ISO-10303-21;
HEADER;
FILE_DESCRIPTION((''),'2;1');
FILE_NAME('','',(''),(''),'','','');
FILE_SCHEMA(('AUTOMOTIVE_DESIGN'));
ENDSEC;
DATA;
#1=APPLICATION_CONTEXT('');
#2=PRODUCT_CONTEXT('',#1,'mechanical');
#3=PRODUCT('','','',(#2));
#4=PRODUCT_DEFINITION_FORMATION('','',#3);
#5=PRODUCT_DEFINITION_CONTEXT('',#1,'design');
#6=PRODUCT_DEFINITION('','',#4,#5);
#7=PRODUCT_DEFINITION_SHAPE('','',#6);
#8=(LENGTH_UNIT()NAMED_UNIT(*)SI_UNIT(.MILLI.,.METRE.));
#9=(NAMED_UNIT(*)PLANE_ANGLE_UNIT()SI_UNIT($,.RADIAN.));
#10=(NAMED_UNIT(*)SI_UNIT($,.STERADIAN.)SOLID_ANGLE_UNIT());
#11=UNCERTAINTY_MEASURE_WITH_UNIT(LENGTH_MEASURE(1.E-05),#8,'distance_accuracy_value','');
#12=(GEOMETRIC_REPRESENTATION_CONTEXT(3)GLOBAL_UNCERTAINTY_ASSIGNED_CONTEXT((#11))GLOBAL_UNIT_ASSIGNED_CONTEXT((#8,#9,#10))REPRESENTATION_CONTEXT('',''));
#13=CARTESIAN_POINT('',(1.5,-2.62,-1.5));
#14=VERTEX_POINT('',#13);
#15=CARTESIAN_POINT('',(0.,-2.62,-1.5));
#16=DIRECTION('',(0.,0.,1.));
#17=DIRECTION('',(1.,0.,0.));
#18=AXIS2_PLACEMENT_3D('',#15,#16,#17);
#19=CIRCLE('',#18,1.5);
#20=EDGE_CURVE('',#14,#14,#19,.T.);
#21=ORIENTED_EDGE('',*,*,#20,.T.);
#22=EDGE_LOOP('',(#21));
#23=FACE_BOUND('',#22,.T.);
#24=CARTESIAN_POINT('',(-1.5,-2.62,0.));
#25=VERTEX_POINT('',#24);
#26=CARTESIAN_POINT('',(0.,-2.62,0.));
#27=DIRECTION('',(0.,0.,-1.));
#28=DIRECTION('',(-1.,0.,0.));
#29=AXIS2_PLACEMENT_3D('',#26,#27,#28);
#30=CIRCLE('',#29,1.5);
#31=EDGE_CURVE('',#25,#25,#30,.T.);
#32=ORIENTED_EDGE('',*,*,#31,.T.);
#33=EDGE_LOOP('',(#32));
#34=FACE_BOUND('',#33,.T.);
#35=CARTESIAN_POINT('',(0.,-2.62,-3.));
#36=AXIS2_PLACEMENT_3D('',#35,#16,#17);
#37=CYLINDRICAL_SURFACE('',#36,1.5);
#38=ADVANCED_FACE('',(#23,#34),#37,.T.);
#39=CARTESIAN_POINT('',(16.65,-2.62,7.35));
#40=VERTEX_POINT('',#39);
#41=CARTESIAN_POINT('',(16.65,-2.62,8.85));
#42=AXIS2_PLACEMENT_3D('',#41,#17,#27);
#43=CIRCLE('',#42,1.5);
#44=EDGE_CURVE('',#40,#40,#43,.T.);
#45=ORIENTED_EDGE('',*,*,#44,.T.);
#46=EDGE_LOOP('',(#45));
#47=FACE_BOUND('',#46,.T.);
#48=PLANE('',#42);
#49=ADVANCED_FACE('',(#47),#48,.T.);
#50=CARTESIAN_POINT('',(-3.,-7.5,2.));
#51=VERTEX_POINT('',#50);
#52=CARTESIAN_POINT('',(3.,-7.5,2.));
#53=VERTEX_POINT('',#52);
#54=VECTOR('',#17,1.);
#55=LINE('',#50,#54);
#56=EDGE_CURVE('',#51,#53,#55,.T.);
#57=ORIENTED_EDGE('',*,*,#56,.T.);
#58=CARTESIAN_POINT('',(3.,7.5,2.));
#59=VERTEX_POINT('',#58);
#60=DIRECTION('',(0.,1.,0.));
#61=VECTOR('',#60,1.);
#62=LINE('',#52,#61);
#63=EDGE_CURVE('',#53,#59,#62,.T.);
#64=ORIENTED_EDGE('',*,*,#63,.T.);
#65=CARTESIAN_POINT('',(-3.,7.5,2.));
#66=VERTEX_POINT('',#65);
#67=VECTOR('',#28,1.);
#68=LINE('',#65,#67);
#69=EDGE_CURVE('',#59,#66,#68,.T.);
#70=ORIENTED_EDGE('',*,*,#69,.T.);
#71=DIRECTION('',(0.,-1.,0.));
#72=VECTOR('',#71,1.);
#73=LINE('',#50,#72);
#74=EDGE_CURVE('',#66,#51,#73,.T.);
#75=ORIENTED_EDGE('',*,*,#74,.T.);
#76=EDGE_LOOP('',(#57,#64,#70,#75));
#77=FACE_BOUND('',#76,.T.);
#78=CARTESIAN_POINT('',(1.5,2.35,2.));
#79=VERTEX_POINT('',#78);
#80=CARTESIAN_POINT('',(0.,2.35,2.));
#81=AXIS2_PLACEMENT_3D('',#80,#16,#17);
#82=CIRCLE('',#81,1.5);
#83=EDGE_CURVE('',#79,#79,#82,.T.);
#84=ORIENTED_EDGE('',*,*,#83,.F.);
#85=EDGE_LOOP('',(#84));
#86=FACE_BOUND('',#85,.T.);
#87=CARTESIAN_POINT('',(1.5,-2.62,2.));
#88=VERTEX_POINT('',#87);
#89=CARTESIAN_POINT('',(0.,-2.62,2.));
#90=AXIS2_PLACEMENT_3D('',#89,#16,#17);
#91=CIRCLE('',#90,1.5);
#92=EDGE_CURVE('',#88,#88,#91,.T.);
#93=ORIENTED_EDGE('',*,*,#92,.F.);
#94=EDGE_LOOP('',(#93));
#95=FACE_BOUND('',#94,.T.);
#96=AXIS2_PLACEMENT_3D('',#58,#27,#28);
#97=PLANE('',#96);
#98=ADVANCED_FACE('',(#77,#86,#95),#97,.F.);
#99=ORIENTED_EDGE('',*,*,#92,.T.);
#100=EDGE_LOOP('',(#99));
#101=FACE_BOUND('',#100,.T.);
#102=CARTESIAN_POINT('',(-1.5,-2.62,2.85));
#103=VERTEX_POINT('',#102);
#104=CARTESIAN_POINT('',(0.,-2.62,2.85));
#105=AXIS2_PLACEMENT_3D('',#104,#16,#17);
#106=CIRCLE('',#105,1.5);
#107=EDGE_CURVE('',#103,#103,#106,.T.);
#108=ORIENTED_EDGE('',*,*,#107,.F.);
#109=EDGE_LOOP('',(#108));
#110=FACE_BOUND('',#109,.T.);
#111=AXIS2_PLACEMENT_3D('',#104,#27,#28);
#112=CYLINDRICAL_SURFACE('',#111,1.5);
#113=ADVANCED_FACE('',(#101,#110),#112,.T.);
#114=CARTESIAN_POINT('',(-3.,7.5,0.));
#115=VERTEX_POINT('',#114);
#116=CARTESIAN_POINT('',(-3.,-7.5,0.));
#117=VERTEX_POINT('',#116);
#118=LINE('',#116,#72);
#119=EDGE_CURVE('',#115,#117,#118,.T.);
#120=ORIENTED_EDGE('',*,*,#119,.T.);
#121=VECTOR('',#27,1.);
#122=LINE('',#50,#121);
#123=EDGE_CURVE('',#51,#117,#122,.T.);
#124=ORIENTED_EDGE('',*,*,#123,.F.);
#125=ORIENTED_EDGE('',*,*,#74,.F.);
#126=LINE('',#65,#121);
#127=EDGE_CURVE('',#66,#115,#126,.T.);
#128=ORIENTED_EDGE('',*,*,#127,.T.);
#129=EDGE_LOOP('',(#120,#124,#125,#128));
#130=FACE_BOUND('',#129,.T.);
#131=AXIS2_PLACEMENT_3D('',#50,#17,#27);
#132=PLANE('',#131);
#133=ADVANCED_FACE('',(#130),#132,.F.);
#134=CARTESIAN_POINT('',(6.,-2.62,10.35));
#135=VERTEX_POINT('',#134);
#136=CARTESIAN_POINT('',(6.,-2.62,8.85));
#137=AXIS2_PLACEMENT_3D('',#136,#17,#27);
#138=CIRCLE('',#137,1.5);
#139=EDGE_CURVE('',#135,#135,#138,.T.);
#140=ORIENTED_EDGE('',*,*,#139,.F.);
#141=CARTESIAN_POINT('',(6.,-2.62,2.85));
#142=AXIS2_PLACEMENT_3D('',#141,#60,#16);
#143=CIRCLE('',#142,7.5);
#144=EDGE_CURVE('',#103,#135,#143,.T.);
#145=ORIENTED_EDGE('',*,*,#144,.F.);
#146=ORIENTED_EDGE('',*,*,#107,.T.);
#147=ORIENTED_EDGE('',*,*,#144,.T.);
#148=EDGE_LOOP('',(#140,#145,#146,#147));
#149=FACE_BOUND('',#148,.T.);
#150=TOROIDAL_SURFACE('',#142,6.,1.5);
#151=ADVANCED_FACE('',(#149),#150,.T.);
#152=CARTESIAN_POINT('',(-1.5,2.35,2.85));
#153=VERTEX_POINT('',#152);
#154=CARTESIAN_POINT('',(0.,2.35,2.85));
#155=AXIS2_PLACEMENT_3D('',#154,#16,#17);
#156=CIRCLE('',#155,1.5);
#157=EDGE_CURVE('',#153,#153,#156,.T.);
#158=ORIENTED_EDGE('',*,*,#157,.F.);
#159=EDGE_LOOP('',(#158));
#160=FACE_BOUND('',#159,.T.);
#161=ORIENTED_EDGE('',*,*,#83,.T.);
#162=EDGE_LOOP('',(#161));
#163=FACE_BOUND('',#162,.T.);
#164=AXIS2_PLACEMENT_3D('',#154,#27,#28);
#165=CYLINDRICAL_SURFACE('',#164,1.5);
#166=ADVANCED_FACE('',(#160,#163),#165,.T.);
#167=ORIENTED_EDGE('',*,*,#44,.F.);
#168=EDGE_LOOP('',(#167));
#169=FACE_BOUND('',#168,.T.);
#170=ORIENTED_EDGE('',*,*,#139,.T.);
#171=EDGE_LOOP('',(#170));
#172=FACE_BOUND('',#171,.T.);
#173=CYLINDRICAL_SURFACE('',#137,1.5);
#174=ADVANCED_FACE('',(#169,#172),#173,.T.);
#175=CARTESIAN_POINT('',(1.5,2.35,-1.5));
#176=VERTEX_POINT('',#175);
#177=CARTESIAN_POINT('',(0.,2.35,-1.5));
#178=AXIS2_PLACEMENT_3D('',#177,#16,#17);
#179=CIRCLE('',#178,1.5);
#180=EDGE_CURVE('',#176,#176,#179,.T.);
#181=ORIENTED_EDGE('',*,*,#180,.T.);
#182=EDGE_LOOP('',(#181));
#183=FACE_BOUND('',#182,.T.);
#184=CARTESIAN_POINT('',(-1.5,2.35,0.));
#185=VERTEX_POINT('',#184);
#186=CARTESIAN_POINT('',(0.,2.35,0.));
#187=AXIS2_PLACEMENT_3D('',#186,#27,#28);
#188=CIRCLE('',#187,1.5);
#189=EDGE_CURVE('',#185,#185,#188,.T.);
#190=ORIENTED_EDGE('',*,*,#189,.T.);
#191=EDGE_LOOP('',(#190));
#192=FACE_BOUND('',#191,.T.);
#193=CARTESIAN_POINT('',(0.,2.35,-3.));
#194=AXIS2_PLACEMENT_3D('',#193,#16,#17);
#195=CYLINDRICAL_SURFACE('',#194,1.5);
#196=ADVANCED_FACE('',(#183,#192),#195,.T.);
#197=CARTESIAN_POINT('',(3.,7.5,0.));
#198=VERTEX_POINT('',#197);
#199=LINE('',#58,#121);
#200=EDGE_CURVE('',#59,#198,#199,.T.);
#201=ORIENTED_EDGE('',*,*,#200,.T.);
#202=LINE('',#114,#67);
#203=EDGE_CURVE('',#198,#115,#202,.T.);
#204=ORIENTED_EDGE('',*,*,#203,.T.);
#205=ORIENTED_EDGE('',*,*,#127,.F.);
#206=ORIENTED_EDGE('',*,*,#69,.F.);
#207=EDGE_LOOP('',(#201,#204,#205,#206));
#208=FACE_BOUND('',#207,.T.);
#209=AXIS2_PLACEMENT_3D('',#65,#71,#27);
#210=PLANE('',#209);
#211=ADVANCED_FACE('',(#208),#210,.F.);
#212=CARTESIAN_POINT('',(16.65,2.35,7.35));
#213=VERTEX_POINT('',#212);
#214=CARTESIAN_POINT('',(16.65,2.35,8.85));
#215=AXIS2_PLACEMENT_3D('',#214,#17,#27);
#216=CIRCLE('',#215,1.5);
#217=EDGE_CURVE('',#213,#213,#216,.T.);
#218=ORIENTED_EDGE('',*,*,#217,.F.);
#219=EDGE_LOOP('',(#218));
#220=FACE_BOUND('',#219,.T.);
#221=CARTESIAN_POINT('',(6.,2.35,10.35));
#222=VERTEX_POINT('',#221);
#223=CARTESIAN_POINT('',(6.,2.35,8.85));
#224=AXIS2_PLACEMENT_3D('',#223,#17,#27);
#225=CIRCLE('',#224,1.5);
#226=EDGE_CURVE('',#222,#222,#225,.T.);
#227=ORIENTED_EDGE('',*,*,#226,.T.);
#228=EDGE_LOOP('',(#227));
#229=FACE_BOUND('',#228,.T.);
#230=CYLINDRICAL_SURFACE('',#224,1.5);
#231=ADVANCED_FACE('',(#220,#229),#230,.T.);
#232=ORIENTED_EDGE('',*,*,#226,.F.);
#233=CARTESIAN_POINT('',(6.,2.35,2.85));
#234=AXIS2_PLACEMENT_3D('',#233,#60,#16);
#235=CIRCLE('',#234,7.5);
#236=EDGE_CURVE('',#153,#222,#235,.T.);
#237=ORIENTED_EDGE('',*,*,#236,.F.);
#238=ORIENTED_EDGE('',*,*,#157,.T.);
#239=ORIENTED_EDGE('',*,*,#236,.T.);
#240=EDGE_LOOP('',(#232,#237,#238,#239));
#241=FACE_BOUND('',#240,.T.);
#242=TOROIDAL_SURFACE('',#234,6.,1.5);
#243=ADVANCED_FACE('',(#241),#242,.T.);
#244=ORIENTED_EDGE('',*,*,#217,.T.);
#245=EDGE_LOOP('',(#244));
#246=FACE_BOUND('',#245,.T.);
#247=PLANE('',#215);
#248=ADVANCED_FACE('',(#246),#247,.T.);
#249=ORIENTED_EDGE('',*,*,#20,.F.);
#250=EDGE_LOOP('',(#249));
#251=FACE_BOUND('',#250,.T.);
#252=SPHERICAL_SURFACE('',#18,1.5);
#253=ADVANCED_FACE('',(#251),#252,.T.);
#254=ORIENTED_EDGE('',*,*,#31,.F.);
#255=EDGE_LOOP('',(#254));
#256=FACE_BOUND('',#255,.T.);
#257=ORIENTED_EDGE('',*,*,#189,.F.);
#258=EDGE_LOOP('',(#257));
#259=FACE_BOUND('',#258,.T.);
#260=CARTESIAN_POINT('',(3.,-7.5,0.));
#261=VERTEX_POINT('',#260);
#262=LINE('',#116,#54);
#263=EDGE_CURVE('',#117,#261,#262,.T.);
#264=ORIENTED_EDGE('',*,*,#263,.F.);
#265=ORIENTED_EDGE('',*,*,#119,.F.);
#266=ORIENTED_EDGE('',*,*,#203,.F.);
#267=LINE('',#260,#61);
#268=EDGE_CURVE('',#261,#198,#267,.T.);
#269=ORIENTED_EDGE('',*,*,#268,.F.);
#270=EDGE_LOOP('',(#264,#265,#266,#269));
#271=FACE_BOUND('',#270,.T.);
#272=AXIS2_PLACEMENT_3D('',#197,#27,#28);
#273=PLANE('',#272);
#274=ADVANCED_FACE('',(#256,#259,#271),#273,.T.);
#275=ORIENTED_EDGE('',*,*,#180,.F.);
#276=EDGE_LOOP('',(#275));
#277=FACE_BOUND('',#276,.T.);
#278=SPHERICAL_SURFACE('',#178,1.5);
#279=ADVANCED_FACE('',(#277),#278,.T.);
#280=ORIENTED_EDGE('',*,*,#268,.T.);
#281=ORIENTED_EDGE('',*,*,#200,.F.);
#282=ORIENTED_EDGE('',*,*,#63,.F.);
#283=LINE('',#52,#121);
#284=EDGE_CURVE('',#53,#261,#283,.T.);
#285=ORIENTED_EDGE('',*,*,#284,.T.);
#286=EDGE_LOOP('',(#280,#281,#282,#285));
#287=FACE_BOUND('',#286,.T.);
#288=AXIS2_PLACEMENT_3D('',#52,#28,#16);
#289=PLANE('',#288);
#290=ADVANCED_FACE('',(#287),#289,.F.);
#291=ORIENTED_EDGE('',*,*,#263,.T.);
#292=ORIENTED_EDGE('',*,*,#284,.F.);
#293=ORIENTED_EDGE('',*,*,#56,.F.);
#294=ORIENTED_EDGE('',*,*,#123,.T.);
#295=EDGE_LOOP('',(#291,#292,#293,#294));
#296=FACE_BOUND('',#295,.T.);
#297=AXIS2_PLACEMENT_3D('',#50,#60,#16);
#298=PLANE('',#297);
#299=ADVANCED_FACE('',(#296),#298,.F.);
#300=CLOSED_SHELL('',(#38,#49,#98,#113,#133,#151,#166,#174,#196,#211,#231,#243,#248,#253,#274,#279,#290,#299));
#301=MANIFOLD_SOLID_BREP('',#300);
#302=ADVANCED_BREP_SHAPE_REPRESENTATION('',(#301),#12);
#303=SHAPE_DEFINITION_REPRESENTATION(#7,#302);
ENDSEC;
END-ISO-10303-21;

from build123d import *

# Parameters (mm, degrees)
SKETCH1_W           = 6
SKETCH1_H           = 15
BOSS_EXTRUDE1_DEPTH = 2
SKETCH2_R           = 1.5
BOSS_EXTRUDE2_DEPTH = 3
FILLET1_R           = 1.5
SKETCH3_R           = 1.5


with BuildPart() as part:
    # Sketch1 → Boss-Extrude1 (new body)
    with BuildSketch(Plane.XY):
        Rectangle(SKETCH1_W, SKETCH1_H)
    extrude(amount=BOSS_EXTRUDE1_DEPTH)

    # Sketch2 → Boss-Extrude2 (add)
    with BuildSketch(Plane(origin=(0, 0, 0), x_dir=(-1, 0, 0), z_dir=(0, 0, -1))):
        with Locations((0, 2.35)):
            Circle(SKETCH2_R)
        with Locations((0, -2.62)):
            Circle(SKETCH2_R)
    extrude(amount=BOSS_EXTRUDE2_DEPTH)

    # Fillet1
    fillet1_edges = [part.edges().sort_by_distance(p)[0] for p in [
        (1.5, 2.35, -3),
        (1.5, -2.62, -3),
    ]]
    fillet(fillet1_edges, radius=FILLET1_R)

    # Sweep1: sweep along a path in Sketch4
    with BuildLine(Plane(origin=(0, 2.35, 0), x_dir=(-1, 0, 0), z_dir=(0, 1, 0))) as sweep1_path:
        Line((0, 2), (0, 2.85))
        ThreePointArc((0, 2.85), (-1.757359313, 7.092640687), (-6, 8.85))
        Line((-6, 8.85), (-16.65, 8.85))
    # Sketch3 → Sweep1 (sweep)
    with BuildSketch(Plane.XY.offset(2)):
        with Locations((0, -2.62)):
            Circle(SKETCH3_R)
        with Locations((0, 2.35)):
            Circle(SKETCH3_R)
    sweep(path=sweep1_path.line)


solid = part.part
